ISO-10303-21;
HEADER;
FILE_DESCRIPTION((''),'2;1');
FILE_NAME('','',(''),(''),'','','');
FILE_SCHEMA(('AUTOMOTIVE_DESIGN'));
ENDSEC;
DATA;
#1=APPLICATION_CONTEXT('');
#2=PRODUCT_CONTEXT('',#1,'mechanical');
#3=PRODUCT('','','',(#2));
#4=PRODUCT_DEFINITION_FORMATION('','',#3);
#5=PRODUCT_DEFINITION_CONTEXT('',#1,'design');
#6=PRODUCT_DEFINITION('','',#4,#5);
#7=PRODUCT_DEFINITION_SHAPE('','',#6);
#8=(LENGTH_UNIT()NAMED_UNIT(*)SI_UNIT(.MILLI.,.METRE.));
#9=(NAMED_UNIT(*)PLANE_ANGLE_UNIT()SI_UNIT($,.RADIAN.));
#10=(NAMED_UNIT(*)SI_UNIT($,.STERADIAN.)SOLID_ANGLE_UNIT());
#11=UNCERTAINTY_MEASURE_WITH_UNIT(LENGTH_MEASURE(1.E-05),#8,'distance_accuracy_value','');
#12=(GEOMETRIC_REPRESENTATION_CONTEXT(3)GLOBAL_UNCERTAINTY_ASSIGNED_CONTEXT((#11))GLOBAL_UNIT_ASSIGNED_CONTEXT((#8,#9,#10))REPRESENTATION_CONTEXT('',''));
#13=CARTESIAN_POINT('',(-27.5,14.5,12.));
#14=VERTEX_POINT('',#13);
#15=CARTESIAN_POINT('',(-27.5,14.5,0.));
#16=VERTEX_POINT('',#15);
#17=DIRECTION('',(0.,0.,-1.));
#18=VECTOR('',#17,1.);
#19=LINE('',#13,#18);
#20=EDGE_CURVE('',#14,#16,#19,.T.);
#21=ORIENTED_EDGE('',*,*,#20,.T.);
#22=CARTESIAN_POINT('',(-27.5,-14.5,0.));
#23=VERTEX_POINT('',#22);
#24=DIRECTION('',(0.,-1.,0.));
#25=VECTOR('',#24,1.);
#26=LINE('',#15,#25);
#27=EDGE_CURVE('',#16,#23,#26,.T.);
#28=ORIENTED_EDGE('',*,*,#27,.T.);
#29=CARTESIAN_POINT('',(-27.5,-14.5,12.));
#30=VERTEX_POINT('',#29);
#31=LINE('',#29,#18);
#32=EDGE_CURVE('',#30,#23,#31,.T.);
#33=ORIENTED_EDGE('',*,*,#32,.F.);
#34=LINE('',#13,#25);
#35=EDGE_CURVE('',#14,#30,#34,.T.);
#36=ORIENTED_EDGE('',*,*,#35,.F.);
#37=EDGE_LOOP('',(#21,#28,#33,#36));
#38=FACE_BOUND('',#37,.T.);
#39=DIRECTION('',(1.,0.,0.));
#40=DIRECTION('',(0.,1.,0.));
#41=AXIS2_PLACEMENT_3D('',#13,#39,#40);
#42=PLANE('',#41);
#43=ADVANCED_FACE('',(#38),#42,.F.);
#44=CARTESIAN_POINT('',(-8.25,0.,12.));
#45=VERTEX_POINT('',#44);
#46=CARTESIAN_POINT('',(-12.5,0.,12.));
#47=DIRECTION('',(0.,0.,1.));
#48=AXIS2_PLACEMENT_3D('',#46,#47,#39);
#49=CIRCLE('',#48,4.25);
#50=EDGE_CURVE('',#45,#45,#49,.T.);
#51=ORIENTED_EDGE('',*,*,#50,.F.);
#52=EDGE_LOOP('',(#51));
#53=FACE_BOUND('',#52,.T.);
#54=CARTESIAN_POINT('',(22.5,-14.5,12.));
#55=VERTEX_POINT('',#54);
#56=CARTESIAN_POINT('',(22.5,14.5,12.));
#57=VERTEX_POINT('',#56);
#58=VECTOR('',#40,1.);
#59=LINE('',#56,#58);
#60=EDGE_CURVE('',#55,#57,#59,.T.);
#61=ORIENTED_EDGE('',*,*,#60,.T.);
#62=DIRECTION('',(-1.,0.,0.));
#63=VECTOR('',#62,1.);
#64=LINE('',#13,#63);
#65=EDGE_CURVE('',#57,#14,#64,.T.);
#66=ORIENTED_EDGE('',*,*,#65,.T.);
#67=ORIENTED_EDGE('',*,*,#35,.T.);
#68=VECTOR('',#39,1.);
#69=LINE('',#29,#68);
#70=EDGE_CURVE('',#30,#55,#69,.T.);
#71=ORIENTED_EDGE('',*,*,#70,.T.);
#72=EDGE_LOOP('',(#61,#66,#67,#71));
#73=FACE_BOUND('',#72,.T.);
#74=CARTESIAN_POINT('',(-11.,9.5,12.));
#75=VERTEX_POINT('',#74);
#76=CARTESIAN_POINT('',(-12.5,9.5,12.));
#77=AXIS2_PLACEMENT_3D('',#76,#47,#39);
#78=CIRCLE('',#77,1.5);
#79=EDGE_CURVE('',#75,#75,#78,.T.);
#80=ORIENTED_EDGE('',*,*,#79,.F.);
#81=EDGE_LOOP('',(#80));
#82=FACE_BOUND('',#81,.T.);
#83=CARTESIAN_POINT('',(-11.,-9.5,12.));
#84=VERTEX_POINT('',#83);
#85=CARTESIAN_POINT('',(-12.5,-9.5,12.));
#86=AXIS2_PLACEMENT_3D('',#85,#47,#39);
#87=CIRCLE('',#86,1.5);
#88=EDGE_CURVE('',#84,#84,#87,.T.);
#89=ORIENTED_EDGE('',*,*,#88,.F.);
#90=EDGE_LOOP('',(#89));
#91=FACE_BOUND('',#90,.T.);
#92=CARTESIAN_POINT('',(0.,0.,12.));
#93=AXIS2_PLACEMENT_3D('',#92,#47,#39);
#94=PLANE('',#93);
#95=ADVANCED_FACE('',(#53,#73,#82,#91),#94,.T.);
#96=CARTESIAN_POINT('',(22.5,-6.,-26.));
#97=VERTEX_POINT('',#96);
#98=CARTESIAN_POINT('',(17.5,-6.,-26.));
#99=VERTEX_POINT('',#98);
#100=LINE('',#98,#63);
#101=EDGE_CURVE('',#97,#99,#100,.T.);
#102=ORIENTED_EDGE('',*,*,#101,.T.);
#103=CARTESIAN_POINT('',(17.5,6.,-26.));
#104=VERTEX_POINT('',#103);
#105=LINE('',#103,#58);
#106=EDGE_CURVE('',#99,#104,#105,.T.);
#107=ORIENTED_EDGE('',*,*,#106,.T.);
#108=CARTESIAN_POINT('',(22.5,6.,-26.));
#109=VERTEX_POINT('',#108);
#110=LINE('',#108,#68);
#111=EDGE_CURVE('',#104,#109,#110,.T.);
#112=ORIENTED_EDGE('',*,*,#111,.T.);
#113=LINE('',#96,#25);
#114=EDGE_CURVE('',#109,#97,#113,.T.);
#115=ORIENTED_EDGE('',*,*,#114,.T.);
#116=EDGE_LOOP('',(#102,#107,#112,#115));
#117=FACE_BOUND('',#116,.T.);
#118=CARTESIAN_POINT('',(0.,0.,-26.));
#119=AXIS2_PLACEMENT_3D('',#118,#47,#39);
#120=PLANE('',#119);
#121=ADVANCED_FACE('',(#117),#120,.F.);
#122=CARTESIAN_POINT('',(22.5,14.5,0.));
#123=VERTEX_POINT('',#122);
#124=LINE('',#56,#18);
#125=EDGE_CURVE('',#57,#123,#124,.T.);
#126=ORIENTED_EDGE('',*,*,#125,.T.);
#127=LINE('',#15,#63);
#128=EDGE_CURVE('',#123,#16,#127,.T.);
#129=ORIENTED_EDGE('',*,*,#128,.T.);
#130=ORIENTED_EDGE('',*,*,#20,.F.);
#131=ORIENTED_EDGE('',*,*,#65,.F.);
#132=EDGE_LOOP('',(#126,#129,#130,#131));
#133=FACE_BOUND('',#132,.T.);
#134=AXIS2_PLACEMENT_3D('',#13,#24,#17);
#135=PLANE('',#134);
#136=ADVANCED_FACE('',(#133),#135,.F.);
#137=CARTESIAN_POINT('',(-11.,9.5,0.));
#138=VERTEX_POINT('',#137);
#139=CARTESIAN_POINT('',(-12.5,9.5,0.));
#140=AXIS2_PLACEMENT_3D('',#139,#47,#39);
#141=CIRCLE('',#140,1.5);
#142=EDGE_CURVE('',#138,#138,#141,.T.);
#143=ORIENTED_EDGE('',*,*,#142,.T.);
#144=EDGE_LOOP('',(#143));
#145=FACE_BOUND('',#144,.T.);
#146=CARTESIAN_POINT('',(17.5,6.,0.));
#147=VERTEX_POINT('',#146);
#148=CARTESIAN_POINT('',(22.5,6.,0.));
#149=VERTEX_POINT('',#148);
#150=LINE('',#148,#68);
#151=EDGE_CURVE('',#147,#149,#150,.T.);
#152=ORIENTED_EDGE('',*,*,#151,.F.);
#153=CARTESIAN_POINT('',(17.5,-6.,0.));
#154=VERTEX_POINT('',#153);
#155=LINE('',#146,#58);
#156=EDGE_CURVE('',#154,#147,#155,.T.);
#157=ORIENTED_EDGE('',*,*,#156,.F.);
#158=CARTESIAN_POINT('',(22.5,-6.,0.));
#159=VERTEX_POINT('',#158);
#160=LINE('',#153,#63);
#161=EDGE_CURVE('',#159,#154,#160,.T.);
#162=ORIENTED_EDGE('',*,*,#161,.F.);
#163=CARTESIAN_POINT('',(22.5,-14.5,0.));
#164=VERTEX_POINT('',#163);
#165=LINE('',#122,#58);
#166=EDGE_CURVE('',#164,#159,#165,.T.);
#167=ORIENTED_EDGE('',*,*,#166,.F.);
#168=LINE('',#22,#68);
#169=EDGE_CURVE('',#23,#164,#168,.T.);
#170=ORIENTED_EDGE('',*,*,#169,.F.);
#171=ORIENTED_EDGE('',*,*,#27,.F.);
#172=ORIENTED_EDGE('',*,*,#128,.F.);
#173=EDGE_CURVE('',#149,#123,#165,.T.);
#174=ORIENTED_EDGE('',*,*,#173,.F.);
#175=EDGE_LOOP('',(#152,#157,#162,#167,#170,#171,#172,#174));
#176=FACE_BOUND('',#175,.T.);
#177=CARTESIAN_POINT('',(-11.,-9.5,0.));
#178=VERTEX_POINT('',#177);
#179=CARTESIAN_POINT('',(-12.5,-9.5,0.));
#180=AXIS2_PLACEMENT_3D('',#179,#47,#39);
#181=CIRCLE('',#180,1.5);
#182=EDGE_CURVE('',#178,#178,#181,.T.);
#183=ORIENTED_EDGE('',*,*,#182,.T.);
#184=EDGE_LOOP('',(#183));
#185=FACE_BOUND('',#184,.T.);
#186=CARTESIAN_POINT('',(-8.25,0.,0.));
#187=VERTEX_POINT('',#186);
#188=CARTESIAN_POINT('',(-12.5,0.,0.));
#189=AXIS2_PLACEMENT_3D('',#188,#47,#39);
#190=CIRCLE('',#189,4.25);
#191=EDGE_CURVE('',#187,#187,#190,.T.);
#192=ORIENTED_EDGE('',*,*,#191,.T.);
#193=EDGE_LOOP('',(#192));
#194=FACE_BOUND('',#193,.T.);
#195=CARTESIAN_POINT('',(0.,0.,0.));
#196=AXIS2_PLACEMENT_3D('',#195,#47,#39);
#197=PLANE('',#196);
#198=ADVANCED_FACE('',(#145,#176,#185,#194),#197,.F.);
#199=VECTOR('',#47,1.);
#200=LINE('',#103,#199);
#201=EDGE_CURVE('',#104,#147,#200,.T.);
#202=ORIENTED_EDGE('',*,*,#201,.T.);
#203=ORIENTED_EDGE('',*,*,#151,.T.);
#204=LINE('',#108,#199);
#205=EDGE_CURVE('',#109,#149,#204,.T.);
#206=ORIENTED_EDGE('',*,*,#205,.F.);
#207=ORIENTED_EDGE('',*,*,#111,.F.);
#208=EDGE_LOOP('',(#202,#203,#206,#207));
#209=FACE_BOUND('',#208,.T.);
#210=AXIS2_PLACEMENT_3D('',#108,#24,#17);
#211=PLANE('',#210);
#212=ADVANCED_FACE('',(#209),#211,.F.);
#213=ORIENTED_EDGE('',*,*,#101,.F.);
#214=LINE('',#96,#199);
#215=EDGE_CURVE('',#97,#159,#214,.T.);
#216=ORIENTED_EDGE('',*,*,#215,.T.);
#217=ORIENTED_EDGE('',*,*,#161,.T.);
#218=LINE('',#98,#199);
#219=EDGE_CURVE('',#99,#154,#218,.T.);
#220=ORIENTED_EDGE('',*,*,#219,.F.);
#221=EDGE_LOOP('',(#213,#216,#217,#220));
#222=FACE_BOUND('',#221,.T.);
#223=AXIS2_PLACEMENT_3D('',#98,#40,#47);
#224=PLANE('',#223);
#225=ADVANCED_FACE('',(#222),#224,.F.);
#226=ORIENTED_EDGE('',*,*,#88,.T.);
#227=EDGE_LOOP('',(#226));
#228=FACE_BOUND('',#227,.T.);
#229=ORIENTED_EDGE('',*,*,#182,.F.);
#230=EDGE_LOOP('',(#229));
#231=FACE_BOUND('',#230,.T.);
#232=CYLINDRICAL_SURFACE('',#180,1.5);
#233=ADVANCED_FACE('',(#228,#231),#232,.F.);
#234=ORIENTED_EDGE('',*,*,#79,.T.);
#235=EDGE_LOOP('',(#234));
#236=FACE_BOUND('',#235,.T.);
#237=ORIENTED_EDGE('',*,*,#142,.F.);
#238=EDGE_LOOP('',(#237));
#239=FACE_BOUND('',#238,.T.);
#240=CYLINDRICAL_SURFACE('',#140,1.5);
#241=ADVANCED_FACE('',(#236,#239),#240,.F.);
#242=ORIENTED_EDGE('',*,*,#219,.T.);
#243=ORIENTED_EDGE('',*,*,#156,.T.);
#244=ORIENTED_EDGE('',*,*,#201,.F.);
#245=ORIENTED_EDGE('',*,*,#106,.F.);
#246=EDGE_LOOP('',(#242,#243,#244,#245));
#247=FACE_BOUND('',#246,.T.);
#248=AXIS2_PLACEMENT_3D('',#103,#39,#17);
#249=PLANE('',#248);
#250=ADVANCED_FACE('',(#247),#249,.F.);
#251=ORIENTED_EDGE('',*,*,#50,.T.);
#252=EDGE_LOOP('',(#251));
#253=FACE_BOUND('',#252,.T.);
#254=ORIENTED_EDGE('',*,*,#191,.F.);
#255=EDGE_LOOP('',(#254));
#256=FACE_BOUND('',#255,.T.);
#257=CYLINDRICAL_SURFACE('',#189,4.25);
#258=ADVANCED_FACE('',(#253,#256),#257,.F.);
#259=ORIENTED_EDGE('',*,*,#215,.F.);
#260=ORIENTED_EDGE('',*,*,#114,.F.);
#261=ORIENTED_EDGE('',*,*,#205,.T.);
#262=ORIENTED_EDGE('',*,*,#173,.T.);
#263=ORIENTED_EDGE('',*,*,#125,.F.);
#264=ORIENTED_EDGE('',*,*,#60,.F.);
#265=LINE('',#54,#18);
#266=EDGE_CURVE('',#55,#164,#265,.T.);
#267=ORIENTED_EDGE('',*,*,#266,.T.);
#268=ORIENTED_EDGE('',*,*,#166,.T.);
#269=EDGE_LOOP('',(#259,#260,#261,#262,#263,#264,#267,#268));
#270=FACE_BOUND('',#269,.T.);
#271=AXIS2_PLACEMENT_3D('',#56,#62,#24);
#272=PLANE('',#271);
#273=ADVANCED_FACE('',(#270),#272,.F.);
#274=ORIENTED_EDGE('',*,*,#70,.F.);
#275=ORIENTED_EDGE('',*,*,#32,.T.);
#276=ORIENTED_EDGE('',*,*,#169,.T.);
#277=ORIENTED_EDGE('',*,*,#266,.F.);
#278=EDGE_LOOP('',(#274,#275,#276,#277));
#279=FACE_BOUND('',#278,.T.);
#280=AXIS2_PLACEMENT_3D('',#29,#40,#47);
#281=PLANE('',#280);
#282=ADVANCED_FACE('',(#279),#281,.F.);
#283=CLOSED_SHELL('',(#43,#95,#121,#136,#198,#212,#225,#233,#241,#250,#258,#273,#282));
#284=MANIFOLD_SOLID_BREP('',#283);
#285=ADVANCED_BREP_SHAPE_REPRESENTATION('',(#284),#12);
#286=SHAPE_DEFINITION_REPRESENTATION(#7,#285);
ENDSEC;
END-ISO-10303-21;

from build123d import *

# Parameters (mm, degrees)
SKETCH1_W           = 50
SKETCH1_H           = 29
BOSS_EXTRUDE1_DEPTH = 12
SKETCH2_R           = 4.25
CUT_EXTRUDE1_DEPTH  = 12
SKETCH6_R           = 1.5
CUT_EXTRUDE2_DEPTH  = 12
SKETCH3_W           = 5
SKETCH3_H           = 12
BOSS_EXTRUDE2_DEPTH = 26


with BuildPart() as part:
    # Sketch1 → Boss-Extrude1 (new body)
    with BuildSketch(Plane.XY):
        with Locations((-2.5, 0)):
            Rectangle(SKETCH1_W, SKETCH1_H)
    extrude(amount=BOSS_EXTRUDE1_DEPTH)

    # Sketch2 → Cut-Extrude1 (cut)
    with BuildSketch(Plane.XY.offset(12)):
        with Locations((-12.5, 0)):
            Circle(SKETCH2_R)
    extrude(amount=-CUT_EXTRUDE1_DEPTH, mode=Mode.SUBTRACT)

    # Sketch6 → Cut-Extrude2 (cut)
    with BuildSketch(Plane.XY.offset(12)):
        with Locations((-12.5, 9.5)):
            Circle(SKETCH6_R)
        with Locations((-12.5, -9.5)):
            Circle(SKETCH6_R)
    extrude(amount=-CUT_EXTRUDE2_DEPTH, mode=Mode.SUBTRACT)

    # Sketch3 → Boss-Extrude2 (add)
    with BuildSketch(Plane(origin=(0, 0, 0), x_dir=(-1, 0, 0), z_dir=(0, 0, -1))):
        with Locations((-20, 0)):
            Rectangle(SKETCH3_W, SKETCH3_H)
    extrude(amount=BOSS_EXTRUDE2_DEPTH)


solid = part.part
